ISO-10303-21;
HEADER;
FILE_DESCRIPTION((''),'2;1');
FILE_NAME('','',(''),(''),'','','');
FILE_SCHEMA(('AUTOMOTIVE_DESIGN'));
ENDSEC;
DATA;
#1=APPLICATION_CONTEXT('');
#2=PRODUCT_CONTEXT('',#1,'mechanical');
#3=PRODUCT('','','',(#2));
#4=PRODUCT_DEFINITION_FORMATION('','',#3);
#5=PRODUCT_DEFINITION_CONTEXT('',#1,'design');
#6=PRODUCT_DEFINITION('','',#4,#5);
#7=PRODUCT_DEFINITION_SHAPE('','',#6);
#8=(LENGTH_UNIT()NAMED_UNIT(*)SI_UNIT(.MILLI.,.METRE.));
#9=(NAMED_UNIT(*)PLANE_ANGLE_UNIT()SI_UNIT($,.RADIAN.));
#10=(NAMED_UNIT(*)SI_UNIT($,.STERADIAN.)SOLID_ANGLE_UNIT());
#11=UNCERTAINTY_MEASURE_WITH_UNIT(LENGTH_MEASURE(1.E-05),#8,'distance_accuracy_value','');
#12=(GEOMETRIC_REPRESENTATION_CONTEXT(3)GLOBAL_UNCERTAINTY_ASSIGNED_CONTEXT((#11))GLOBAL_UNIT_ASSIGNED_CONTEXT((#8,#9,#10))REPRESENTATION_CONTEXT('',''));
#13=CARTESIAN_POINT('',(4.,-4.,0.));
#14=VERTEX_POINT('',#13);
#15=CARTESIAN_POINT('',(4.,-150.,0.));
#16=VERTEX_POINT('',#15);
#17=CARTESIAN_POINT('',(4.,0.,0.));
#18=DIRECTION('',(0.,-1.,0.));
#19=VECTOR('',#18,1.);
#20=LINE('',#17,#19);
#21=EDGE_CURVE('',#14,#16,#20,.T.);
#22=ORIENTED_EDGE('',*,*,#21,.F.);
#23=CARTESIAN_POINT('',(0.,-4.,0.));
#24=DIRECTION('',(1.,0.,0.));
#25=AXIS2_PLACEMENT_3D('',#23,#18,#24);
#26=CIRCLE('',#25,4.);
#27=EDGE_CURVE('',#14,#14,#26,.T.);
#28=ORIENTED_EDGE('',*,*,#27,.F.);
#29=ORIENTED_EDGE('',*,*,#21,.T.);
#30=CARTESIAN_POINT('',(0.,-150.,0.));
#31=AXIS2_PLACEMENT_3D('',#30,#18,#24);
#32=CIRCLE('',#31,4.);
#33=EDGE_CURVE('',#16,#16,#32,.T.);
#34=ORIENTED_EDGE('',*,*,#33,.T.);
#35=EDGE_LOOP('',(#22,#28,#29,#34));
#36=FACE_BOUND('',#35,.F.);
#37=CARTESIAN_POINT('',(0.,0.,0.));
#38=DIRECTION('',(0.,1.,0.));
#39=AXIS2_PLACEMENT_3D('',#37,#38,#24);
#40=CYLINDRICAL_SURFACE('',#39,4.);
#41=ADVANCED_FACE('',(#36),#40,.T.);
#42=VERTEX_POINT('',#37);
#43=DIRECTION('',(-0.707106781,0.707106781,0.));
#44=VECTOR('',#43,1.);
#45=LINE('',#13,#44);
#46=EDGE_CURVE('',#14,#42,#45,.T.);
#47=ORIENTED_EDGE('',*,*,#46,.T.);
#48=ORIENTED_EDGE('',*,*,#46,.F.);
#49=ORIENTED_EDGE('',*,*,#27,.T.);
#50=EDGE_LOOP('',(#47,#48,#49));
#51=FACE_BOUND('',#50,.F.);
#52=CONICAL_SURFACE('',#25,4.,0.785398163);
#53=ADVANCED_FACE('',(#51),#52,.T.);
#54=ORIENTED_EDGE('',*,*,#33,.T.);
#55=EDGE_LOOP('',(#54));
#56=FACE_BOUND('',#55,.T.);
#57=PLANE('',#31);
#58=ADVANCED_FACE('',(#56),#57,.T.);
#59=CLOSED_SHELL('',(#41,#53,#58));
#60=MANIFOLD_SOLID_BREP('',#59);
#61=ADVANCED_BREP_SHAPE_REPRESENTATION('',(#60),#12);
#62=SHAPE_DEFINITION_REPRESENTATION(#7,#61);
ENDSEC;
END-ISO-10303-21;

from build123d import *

# Parameters (mm, degrees)
SKETCH_R     = 4
PAD_DEPTH    = 150
CHAMFER_SIZE = 4


with BuildPart() as part:
    # Sketch → Pad (new body)
    with BuildSketch(Plane.XZ):
        Circle(SKETCH_R)
    extrude(amount=PAD_DEPTH)

    # Chamfer
    chamfer_edges = [part.edges().sort_by_distance(p)[0] for p in [
        (-4, 0, 0),
    ]]
    chamfer(chamfer_edges, length=CHAMFER_SIZE)


solid = part.part
